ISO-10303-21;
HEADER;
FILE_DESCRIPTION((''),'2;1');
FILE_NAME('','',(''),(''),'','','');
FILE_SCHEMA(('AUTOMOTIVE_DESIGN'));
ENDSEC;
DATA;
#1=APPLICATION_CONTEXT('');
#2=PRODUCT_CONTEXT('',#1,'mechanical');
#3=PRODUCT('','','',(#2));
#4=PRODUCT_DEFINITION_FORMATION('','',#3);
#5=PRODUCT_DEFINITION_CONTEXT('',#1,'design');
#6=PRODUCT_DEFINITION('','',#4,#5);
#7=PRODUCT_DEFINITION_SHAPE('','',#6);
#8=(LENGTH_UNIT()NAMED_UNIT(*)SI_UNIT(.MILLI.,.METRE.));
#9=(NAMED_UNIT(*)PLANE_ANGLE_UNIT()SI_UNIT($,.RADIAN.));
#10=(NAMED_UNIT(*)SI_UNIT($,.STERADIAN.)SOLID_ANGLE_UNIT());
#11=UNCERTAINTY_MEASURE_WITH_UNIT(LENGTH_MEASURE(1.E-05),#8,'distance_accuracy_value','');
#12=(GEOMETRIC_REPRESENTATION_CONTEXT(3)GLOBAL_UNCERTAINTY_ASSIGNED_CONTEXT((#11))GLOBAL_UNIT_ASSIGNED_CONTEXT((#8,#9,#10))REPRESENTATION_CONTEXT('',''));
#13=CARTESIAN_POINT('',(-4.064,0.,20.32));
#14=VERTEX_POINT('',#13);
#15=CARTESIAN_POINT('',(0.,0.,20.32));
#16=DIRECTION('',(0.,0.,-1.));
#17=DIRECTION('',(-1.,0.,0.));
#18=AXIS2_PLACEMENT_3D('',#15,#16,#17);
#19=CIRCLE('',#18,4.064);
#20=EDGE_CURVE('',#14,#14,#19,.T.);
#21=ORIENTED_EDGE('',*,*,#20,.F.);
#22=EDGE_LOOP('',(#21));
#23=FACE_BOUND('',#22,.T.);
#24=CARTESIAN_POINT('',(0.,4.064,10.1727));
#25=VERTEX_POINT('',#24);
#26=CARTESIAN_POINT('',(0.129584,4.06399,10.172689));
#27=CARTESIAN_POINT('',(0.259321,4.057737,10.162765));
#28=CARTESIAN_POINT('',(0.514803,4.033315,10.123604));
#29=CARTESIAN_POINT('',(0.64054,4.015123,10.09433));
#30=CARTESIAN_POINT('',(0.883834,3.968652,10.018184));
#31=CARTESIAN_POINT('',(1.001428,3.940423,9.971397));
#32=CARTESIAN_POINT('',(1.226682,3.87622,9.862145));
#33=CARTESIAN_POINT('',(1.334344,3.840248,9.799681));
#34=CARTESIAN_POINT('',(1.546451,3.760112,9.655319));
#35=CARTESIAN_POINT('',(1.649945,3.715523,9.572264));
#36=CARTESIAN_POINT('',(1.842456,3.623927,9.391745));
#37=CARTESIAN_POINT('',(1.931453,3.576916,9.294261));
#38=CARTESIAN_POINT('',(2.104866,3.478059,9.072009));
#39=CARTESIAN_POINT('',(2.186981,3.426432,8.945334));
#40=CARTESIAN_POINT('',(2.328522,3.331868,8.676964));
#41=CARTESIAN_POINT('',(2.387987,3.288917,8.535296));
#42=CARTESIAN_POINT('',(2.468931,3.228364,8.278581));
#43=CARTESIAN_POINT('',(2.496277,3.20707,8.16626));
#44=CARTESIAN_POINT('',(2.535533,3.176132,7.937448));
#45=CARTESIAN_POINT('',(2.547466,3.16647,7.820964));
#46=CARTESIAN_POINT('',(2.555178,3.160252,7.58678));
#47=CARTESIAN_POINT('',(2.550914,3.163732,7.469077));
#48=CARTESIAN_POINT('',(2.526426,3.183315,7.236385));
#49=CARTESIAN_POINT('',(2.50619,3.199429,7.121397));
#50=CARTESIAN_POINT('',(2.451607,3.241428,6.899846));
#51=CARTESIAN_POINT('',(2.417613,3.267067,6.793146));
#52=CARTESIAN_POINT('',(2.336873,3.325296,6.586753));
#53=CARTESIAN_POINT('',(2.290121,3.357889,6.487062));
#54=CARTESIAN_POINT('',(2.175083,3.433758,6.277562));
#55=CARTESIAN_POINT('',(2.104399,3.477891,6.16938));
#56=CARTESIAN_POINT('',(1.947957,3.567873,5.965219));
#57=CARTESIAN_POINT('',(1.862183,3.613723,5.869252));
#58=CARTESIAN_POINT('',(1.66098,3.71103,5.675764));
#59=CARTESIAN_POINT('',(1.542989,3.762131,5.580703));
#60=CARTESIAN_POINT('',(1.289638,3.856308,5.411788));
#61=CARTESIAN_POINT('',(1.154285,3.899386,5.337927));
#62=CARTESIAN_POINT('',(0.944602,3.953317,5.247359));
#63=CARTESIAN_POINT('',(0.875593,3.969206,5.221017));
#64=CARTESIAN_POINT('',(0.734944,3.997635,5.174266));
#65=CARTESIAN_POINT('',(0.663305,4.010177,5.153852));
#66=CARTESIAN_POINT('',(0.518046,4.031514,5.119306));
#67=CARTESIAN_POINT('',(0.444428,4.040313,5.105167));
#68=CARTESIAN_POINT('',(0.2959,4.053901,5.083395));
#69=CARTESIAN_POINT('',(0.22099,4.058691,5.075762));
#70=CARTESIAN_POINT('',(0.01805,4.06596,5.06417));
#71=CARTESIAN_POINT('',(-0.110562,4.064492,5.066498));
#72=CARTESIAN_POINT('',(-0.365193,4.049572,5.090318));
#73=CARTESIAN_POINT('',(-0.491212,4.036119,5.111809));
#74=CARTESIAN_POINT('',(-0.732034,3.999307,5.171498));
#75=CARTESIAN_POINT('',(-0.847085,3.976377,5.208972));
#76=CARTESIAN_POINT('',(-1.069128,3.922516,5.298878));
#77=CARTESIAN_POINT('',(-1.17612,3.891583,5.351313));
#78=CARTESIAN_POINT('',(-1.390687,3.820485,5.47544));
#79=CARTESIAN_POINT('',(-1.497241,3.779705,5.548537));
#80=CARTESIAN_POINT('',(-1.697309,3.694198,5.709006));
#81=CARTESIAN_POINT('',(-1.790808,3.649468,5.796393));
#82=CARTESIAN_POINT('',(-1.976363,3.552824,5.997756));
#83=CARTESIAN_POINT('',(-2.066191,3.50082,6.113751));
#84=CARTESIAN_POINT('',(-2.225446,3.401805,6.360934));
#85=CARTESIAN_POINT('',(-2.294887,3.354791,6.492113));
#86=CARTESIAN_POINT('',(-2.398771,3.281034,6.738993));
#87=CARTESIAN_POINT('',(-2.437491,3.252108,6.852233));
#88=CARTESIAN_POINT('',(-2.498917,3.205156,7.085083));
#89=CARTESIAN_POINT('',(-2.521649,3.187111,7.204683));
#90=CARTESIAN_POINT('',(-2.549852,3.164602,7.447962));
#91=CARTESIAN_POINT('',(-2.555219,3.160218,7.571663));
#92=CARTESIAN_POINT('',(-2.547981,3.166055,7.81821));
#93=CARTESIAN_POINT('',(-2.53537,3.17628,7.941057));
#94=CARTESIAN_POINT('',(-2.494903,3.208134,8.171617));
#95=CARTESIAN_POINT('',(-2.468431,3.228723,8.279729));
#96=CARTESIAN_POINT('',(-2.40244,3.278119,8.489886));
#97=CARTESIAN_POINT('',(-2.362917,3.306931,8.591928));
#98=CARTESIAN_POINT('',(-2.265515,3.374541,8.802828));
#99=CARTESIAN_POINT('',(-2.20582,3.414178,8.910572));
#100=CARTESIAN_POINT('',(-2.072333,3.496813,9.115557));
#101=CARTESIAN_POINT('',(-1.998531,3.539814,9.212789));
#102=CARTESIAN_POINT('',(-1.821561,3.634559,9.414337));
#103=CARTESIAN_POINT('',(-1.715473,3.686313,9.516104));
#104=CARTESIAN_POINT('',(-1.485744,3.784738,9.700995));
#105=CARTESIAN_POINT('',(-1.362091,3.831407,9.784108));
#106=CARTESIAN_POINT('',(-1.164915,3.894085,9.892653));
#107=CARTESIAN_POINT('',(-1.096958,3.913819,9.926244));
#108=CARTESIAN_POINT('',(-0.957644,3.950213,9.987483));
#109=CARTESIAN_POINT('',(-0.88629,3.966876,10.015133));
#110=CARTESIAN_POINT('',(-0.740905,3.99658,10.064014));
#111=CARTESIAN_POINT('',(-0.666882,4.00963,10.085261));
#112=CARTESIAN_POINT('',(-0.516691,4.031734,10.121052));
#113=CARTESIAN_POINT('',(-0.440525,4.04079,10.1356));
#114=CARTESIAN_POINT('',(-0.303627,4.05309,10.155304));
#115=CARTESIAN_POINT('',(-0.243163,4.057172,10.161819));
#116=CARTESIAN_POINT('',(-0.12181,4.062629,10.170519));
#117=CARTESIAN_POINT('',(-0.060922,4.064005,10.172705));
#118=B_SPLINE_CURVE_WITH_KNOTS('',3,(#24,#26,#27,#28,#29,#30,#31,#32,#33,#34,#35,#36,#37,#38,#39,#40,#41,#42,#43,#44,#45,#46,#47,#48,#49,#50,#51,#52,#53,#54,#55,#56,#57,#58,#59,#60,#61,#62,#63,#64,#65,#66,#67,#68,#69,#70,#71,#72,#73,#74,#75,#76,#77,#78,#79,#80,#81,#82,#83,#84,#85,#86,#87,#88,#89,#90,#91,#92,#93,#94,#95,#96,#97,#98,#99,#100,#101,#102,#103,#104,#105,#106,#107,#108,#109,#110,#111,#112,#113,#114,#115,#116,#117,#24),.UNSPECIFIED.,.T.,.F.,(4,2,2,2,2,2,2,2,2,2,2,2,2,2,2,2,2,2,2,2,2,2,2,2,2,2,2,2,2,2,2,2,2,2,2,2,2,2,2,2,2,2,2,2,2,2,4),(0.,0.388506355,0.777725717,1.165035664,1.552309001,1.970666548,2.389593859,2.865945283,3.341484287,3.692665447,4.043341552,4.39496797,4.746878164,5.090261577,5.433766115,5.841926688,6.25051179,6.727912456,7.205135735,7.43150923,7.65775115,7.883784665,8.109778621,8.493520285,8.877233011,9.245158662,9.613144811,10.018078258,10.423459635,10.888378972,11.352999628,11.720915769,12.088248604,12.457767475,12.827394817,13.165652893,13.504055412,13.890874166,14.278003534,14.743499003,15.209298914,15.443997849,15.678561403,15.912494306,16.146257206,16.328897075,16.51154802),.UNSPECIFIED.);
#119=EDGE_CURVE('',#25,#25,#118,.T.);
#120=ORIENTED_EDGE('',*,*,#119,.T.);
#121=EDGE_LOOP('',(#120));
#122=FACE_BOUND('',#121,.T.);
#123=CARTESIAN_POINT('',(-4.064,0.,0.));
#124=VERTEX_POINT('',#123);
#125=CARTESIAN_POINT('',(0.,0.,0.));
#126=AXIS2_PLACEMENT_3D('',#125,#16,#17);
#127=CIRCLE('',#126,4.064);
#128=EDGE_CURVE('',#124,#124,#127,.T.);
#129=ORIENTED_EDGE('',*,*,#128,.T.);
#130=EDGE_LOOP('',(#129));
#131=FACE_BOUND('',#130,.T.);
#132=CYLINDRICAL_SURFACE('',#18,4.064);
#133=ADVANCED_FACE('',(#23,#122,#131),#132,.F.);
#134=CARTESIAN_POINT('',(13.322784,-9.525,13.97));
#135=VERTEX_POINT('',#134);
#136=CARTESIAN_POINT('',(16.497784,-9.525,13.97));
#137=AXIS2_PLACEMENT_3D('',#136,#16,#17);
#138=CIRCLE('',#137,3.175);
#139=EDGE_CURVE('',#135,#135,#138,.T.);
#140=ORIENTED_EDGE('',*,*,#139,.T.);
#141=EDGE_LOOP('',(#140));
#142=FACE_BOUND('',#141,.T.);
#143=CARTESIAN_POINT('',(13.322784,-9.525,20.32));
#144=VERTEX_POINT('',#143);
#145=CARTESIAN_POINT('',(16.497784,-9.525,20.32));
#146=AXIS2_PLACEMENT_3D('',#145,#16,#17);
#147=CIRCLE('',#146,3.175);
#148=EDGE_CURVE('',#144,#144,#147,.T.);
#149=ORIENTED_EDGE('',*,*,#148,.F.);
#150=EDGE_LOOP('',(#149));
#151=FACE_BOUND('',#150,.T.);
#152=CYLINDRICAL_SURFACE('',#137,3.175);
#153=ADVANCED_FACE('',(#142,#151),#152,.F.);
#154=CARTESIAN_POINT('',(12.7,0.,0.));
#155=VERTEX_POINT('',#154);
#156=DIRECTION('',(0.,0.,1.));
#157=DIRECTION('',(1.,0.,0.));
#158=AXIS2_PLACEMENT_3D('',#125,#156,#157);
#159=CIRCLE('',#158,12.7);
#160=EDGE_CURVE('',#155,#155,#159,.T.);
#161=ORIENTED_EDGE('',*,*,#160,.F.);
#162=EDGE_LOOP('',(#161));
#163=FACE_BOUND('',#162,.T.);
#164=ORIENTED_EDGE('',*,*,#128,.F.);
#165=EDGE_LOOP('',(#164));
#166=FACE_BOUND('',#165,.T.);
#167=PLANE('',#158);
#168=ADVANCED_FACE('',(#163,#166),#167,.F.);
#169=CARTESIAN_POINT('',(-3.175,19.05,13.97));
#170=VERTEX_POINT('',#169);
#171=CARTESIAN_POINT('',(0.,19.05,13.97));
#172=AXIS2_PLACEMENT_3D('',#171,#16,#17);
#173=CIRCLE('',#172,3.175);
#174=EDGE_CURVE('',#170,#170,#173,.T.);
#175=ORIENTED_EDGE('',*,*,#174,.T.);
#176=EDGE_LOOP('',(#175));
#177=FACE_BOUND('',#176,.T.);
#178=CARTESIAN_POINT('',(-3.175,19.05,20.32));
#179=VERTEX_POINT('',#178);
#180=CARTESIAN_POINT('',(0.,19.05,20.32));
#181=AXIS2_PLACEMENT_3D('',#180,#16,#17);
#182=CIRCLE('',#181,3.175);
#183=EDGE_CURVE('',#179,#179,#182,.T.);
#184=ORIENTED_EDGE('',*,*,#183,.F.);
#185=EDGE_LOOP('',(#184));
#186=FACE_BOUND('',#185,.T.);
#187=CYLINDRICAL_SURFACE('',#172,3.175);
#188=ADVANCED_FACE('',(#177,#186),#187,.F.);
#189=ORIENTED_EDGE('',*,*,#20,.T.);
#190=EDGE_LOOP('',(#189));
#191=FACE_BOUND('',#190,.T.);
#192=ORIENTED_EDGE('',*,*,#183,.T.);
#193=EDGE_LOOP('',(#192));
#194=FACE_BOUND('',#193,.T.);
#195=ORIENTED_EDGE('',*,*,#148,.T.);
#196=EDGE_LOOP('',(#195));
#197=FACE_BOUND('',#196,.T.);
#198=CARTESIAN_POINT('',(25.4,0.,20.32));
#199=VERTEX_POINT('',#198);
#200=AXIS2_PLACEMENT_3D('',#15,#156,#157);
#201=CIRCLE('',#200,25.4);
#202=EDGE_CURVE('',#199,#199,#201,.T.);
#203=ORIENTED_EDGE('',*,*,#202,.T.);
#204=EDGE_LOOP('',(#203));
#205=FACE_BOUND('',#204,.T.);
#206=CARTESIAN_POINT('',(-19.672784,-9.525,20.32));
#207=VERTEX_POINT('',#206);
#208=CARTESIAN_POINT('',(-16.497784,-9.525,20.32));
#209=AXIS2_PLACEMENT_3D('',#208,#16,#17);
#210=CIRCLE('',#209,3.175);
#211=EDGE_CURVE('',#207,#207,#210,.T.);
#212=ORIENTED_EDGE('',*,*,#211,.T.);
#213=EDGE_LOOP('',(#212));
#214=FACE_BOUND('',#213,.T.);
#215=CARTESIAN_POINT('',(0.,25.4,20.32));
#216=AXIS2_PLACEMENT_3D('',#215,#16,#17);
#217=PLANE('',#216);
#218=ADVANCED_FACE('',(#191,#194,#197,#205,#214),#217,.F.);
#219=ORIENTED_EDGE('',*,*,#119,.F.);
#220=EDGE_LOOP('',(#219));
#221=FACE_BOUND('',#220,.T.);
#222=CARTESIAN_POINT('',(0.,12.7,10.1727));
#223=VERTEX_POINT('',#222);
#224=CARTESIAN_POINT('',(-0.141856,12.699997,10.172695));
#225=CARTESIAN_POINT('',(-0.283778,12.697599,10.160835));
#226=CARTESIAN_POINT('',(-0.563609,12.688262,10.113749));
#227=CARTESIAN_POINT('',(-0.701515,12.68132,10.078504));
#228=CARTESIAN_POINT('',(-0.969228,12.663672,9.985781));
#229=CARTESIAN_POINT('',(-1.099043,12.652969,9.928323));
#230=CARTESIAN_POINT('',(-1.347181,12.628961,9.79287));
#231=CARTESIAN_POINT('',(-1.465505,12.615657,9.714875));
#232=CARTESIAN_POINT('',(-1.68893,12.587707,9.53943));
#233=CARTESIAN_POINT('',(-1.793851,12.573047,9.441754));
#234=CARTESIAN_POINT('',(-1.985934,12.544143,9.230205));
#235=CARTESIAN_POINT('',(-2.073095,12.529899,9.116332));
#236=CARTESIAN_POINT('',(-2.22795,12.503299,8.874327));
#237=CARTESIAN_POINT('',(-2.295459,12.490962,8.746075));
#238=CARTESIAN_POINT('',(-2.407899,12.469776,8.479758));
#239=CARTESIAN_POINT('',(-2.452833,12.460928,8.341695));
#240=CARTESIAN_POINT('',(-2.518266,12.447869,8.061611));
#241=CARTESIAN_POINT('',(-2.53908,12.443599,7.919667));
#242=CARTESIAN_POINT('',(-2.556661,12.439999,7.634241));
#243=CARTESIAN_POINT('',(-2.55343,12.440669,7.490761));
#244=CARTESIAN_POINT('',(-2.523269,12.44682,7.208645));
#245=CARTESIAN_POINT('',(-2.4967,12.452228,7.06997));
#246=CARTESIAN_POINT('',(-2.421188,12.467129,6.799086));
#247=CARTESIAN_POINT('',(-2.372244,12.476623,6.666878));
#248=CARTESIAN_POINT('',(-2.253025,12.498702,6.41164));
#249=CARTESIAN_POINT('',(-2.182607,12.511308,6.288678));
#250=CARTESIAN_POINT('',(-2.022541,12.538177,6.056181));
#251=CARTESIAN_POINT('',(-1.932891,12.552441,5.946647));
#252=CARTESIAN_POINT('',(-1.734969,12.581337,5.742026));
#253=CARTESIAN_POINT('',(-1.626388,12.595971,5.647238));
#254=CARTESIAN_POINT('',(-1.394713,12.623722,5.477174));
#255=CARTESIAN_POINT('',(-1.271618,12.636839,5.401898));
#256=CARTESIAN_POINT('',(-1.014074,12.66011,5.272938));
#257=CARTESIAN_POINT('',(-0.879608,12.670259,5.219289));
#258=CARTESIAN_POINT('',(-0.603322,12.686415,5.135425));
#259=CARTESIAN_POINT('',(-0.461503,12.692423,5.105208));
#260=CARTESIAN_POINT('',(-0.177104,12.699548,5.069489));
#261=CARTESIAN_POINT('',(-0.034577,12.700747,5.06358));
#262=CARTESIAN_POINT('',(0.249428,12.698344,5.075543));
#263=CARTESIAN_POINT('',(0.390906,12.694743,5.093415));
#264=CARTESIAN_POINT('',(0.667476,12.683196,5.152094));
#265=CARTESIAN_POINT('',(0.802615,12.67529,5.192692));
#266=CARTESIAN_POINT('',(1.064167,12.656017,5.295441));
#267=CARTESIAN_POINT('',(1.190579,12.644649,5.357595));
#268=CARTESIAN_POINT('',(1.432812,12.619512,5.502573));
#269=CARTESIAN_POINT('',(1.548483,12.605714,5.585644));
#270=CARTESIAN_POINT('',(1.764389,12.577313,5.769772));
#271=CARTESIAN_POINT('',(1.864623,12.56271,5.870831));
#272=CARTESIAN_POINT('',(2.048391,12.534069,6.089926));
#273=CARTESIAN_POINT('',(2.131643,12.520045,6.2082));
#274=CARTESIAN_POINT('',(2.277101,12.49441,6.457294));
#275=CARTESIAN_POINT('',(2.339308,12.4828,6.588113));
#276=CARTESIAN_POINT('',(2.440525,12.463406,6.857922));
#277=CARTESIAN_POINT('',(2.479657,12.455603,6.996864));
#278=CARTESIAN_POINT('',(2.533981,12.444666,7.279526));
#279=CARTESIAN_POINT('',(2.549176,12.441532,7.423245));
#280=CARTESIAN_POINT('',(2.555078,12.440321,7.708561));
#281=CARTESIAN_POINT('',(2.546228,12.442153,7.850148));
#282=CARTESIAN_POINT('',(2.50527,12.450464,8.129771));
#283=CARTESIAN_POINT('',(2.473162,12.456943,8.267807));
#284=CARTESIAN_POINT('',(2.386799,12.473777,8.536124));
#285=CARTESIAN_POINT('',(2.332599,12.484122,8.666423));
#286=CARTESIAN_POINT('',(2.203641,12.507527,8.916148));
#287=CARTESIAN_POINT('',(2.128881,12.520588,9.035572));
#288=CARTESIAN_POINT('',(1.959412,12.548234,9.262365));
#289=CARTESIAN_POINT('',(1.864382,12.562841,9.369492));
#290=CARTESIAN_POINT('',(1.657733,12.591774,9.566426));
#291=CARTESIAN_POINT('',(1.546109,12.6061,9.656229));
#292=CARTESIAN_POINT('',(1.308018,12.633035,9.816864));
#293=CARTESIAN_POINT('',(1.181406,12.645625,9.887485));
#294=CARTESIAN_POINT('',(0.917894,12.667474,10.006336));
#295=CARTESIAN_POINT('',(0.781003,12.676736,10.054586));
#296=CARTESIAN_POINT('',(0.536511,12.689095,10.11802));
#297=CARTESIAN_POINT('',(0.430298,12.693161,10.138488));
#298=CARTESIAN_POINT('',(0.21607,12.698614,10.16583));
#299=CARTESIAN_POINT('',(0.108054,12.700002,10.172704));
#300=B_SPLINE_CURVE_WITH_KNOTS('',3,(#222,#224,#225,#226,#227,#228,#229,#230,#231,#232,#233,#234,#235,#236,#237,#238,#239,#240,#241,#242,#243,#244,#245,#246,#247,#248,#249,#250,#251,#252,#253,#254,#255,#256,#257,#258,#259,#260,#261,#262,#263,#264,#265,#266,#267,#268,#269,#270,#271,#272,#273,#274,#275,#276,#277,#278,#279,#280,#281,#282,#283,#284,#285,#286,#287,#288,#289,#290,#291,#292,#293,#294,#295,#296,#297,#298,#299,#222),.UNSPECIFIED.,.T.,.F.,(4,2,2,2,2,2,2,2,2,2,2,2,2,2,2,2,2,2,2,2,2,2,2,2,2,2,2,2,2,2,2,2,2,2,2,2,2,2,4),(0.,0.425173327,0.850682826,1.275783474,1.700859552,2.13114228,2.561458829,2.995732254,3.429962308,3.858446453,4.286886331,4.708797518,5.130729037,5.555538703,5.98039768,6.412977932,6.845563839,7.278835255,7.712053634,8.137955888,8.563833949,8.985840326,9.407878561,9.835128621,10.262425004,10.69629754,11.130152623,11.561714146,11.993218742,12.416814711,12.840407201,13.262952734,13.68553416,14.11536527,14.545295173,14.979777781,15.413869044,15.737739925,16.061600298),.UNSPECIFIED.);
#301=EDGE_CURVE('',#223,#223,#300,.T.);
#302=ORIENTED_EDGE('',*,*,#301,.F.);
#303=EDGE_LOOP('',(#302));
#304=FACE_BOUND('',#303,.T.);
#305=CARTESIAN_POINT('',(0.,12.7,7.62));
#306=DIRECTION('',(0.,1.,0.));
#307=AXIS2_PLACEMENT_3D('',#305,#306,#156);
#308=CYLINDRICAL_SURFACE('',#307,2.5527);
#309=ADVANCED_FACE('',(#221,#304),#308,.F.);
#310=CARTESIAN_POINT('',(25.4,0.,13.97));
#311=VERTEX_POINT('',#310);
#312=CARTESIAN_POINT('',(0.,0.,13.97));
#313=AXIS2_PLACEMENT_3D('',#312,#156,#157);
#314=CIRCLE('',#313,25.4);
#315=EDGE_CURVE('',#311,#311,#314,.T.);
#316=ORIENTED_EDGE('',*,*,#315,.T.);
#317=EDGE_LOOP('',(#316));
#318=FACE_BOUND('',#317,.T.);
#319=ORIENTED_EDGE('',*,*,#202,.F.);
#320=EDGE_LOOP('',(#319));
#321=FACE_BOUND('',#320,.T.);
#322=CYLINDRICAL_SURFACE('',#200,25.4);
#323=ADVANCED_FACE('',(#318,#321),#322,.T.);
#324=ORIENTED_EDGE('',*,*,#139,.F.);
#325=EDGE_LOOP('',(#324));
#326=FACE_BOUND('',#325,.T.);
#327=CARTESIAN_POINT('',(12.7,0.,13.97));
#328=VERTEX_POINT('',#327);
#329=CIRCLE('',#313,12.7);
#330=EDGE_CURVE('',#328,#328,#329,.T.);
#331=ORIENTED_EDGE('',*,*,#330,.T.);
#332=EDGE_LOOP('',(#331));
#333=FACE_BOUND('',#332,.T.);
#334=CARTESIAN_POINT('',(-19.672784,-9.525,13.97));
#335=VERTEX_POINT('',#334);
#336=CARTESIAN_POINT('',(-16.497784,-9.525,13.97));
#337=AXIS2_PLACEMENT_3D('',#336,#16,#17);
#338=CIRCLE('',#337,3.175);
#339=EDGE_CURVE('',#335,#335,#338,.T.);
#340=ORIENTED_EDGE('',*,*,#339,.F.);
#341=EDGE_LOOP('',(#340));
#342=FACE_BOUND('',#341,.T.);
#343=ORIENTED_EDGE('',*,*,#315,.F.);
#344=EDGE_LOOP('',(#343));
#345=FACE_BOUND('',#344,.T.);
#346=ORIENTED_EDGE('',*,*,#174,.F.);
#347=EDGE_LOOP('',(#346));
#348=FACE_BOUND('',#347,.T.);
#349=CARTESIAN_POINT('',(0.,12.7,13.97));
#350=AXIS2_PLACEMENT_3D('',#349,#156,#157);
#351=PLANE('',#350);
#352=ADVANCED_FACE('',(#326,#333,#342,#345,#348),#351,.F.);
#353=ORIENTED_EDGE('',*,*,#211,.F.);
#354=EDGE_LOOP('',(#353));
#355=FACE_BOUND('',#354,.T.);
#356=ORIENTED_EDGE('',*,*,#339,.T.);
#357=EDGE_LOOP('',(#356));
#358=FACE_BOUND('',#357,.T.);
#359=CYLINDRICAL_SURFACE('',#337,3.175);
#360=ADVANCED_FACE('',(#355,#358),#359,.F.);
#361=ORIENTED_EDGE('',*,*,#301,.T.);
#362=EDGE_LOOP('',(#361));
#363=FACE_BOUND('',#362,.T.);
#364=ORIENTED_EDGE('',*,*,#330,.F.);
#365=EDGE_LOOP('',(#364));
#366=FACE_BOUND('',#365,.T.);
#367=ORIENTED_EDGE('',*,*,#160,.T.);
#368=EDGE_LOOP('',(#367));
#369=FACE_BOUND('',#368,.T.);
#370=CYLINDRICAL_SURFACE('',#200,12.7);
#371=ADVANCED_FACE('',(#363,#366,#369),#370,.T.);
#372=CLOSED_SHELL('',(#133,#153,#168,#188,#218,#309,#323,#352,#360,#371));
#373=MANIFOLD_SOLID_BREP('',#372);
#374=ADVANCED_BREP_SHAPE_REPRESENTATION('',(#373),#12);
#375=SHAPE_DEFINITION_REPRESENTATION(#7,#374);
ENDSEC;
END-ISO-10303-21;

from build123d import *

# Parameters (mm, degrees)
SKETCH3_R                   = 4.064
CUT_EXTRUDE1_DEPTH          = 21.32
F_1_4_20_TAPPED_HOLE1_D     = 5.1054
F_1_4_20_TAPPED_HOLE1_DEPTH = 10.16
F_1_4_20_TAPPED_HOLE1_TIP   = 1.533816902
CIRPATTERN1_COUNT           = 3


with BuildPart() as part:
    # Sketch1 → Revolve1 (revolve)
    with BuildSketch(Plane(origin=(0, 0, 0), x_dir=(0, 0, -1), z_dir=(1, 0, 0))):
        Polygon((0, 12.7), (-13.97, 12.7), (-13.97, 25.4), (-20.32, 25.4), (-20.32, 0), (0, 0), align=None)
    revolve(axis=Axis((0, 0, 20.32), (0, 0, -1)))

    # Sketch3 → Cut-Extrude1 (cut, through all)
    with BuildSketch(Plane(origin=(0, 0, 0), x_dir=(-1, 0, 0), z_dir=(0, 0, -1))):
        Circle(SKETCH3_R)
    extrude(amount=-CUT_EXTRUDE1_DEPTH, mode=Mode.SUBTRACT)

    # 1/4-20 Tapped Hole1
    with Locations(Plane(origin=(0, 12.7, 7.62), x_dir=(1, 0, 0), z_dir=(0, 1, 0))):
        with Locations((0, 0)):
            Hole(F_1_4_20_TAPPED_HOLE1_D / 2, depth=F_1_4_20_TAPPED_HOLE1_DEPTH)
            with Locations((0, 0, -(F_1_4_20_TAPPED_HOLE1_DEPTH + F_1_4_20_TAPPED_HOLE1_TIP / 2))):  # 118° drill point
                Cone(0, F_1_4_20_TAPPED_HOLE1_D / 2, F_1_4_20_TAPPED_HOLE1_TIP, mode=Mode.SUBTRACT)

    # Sketch7 → 1/4 (0.25) Diameter Hole1 (revolve, cut)
    with BuildSketch(Plane(origin=(0, 19.05, 13.97), x_dir=(0, 1, 0), z_dir=(1, 0, 0))):
        Polygon((0, 0), (0, 20.957732465), (3.175, 19.05), (3.175, 0), align=None)
    f_1_4_0_25_diameter_hole1 = revolve(axis=Axis((0, 19.05, 7.62), (0, 0, 1)), mode=Mode.SUBTRACT)

    # CirPattern1: 1/4 (0.25) Diameter Hole1 ×3 about axis
    cirpattern1_axis = Axis((0, 0, 0), (0, 0, 1))
    for i in range(1, CIRPATTERN1_COUNT):
        add(f_1_4_0_25_diameter_hole1.rotate(cirpattern1_axis, i * 360 / CIRPATTERN1_COUNT), mode=Mode.SUBTRACT)


solid = part.part
